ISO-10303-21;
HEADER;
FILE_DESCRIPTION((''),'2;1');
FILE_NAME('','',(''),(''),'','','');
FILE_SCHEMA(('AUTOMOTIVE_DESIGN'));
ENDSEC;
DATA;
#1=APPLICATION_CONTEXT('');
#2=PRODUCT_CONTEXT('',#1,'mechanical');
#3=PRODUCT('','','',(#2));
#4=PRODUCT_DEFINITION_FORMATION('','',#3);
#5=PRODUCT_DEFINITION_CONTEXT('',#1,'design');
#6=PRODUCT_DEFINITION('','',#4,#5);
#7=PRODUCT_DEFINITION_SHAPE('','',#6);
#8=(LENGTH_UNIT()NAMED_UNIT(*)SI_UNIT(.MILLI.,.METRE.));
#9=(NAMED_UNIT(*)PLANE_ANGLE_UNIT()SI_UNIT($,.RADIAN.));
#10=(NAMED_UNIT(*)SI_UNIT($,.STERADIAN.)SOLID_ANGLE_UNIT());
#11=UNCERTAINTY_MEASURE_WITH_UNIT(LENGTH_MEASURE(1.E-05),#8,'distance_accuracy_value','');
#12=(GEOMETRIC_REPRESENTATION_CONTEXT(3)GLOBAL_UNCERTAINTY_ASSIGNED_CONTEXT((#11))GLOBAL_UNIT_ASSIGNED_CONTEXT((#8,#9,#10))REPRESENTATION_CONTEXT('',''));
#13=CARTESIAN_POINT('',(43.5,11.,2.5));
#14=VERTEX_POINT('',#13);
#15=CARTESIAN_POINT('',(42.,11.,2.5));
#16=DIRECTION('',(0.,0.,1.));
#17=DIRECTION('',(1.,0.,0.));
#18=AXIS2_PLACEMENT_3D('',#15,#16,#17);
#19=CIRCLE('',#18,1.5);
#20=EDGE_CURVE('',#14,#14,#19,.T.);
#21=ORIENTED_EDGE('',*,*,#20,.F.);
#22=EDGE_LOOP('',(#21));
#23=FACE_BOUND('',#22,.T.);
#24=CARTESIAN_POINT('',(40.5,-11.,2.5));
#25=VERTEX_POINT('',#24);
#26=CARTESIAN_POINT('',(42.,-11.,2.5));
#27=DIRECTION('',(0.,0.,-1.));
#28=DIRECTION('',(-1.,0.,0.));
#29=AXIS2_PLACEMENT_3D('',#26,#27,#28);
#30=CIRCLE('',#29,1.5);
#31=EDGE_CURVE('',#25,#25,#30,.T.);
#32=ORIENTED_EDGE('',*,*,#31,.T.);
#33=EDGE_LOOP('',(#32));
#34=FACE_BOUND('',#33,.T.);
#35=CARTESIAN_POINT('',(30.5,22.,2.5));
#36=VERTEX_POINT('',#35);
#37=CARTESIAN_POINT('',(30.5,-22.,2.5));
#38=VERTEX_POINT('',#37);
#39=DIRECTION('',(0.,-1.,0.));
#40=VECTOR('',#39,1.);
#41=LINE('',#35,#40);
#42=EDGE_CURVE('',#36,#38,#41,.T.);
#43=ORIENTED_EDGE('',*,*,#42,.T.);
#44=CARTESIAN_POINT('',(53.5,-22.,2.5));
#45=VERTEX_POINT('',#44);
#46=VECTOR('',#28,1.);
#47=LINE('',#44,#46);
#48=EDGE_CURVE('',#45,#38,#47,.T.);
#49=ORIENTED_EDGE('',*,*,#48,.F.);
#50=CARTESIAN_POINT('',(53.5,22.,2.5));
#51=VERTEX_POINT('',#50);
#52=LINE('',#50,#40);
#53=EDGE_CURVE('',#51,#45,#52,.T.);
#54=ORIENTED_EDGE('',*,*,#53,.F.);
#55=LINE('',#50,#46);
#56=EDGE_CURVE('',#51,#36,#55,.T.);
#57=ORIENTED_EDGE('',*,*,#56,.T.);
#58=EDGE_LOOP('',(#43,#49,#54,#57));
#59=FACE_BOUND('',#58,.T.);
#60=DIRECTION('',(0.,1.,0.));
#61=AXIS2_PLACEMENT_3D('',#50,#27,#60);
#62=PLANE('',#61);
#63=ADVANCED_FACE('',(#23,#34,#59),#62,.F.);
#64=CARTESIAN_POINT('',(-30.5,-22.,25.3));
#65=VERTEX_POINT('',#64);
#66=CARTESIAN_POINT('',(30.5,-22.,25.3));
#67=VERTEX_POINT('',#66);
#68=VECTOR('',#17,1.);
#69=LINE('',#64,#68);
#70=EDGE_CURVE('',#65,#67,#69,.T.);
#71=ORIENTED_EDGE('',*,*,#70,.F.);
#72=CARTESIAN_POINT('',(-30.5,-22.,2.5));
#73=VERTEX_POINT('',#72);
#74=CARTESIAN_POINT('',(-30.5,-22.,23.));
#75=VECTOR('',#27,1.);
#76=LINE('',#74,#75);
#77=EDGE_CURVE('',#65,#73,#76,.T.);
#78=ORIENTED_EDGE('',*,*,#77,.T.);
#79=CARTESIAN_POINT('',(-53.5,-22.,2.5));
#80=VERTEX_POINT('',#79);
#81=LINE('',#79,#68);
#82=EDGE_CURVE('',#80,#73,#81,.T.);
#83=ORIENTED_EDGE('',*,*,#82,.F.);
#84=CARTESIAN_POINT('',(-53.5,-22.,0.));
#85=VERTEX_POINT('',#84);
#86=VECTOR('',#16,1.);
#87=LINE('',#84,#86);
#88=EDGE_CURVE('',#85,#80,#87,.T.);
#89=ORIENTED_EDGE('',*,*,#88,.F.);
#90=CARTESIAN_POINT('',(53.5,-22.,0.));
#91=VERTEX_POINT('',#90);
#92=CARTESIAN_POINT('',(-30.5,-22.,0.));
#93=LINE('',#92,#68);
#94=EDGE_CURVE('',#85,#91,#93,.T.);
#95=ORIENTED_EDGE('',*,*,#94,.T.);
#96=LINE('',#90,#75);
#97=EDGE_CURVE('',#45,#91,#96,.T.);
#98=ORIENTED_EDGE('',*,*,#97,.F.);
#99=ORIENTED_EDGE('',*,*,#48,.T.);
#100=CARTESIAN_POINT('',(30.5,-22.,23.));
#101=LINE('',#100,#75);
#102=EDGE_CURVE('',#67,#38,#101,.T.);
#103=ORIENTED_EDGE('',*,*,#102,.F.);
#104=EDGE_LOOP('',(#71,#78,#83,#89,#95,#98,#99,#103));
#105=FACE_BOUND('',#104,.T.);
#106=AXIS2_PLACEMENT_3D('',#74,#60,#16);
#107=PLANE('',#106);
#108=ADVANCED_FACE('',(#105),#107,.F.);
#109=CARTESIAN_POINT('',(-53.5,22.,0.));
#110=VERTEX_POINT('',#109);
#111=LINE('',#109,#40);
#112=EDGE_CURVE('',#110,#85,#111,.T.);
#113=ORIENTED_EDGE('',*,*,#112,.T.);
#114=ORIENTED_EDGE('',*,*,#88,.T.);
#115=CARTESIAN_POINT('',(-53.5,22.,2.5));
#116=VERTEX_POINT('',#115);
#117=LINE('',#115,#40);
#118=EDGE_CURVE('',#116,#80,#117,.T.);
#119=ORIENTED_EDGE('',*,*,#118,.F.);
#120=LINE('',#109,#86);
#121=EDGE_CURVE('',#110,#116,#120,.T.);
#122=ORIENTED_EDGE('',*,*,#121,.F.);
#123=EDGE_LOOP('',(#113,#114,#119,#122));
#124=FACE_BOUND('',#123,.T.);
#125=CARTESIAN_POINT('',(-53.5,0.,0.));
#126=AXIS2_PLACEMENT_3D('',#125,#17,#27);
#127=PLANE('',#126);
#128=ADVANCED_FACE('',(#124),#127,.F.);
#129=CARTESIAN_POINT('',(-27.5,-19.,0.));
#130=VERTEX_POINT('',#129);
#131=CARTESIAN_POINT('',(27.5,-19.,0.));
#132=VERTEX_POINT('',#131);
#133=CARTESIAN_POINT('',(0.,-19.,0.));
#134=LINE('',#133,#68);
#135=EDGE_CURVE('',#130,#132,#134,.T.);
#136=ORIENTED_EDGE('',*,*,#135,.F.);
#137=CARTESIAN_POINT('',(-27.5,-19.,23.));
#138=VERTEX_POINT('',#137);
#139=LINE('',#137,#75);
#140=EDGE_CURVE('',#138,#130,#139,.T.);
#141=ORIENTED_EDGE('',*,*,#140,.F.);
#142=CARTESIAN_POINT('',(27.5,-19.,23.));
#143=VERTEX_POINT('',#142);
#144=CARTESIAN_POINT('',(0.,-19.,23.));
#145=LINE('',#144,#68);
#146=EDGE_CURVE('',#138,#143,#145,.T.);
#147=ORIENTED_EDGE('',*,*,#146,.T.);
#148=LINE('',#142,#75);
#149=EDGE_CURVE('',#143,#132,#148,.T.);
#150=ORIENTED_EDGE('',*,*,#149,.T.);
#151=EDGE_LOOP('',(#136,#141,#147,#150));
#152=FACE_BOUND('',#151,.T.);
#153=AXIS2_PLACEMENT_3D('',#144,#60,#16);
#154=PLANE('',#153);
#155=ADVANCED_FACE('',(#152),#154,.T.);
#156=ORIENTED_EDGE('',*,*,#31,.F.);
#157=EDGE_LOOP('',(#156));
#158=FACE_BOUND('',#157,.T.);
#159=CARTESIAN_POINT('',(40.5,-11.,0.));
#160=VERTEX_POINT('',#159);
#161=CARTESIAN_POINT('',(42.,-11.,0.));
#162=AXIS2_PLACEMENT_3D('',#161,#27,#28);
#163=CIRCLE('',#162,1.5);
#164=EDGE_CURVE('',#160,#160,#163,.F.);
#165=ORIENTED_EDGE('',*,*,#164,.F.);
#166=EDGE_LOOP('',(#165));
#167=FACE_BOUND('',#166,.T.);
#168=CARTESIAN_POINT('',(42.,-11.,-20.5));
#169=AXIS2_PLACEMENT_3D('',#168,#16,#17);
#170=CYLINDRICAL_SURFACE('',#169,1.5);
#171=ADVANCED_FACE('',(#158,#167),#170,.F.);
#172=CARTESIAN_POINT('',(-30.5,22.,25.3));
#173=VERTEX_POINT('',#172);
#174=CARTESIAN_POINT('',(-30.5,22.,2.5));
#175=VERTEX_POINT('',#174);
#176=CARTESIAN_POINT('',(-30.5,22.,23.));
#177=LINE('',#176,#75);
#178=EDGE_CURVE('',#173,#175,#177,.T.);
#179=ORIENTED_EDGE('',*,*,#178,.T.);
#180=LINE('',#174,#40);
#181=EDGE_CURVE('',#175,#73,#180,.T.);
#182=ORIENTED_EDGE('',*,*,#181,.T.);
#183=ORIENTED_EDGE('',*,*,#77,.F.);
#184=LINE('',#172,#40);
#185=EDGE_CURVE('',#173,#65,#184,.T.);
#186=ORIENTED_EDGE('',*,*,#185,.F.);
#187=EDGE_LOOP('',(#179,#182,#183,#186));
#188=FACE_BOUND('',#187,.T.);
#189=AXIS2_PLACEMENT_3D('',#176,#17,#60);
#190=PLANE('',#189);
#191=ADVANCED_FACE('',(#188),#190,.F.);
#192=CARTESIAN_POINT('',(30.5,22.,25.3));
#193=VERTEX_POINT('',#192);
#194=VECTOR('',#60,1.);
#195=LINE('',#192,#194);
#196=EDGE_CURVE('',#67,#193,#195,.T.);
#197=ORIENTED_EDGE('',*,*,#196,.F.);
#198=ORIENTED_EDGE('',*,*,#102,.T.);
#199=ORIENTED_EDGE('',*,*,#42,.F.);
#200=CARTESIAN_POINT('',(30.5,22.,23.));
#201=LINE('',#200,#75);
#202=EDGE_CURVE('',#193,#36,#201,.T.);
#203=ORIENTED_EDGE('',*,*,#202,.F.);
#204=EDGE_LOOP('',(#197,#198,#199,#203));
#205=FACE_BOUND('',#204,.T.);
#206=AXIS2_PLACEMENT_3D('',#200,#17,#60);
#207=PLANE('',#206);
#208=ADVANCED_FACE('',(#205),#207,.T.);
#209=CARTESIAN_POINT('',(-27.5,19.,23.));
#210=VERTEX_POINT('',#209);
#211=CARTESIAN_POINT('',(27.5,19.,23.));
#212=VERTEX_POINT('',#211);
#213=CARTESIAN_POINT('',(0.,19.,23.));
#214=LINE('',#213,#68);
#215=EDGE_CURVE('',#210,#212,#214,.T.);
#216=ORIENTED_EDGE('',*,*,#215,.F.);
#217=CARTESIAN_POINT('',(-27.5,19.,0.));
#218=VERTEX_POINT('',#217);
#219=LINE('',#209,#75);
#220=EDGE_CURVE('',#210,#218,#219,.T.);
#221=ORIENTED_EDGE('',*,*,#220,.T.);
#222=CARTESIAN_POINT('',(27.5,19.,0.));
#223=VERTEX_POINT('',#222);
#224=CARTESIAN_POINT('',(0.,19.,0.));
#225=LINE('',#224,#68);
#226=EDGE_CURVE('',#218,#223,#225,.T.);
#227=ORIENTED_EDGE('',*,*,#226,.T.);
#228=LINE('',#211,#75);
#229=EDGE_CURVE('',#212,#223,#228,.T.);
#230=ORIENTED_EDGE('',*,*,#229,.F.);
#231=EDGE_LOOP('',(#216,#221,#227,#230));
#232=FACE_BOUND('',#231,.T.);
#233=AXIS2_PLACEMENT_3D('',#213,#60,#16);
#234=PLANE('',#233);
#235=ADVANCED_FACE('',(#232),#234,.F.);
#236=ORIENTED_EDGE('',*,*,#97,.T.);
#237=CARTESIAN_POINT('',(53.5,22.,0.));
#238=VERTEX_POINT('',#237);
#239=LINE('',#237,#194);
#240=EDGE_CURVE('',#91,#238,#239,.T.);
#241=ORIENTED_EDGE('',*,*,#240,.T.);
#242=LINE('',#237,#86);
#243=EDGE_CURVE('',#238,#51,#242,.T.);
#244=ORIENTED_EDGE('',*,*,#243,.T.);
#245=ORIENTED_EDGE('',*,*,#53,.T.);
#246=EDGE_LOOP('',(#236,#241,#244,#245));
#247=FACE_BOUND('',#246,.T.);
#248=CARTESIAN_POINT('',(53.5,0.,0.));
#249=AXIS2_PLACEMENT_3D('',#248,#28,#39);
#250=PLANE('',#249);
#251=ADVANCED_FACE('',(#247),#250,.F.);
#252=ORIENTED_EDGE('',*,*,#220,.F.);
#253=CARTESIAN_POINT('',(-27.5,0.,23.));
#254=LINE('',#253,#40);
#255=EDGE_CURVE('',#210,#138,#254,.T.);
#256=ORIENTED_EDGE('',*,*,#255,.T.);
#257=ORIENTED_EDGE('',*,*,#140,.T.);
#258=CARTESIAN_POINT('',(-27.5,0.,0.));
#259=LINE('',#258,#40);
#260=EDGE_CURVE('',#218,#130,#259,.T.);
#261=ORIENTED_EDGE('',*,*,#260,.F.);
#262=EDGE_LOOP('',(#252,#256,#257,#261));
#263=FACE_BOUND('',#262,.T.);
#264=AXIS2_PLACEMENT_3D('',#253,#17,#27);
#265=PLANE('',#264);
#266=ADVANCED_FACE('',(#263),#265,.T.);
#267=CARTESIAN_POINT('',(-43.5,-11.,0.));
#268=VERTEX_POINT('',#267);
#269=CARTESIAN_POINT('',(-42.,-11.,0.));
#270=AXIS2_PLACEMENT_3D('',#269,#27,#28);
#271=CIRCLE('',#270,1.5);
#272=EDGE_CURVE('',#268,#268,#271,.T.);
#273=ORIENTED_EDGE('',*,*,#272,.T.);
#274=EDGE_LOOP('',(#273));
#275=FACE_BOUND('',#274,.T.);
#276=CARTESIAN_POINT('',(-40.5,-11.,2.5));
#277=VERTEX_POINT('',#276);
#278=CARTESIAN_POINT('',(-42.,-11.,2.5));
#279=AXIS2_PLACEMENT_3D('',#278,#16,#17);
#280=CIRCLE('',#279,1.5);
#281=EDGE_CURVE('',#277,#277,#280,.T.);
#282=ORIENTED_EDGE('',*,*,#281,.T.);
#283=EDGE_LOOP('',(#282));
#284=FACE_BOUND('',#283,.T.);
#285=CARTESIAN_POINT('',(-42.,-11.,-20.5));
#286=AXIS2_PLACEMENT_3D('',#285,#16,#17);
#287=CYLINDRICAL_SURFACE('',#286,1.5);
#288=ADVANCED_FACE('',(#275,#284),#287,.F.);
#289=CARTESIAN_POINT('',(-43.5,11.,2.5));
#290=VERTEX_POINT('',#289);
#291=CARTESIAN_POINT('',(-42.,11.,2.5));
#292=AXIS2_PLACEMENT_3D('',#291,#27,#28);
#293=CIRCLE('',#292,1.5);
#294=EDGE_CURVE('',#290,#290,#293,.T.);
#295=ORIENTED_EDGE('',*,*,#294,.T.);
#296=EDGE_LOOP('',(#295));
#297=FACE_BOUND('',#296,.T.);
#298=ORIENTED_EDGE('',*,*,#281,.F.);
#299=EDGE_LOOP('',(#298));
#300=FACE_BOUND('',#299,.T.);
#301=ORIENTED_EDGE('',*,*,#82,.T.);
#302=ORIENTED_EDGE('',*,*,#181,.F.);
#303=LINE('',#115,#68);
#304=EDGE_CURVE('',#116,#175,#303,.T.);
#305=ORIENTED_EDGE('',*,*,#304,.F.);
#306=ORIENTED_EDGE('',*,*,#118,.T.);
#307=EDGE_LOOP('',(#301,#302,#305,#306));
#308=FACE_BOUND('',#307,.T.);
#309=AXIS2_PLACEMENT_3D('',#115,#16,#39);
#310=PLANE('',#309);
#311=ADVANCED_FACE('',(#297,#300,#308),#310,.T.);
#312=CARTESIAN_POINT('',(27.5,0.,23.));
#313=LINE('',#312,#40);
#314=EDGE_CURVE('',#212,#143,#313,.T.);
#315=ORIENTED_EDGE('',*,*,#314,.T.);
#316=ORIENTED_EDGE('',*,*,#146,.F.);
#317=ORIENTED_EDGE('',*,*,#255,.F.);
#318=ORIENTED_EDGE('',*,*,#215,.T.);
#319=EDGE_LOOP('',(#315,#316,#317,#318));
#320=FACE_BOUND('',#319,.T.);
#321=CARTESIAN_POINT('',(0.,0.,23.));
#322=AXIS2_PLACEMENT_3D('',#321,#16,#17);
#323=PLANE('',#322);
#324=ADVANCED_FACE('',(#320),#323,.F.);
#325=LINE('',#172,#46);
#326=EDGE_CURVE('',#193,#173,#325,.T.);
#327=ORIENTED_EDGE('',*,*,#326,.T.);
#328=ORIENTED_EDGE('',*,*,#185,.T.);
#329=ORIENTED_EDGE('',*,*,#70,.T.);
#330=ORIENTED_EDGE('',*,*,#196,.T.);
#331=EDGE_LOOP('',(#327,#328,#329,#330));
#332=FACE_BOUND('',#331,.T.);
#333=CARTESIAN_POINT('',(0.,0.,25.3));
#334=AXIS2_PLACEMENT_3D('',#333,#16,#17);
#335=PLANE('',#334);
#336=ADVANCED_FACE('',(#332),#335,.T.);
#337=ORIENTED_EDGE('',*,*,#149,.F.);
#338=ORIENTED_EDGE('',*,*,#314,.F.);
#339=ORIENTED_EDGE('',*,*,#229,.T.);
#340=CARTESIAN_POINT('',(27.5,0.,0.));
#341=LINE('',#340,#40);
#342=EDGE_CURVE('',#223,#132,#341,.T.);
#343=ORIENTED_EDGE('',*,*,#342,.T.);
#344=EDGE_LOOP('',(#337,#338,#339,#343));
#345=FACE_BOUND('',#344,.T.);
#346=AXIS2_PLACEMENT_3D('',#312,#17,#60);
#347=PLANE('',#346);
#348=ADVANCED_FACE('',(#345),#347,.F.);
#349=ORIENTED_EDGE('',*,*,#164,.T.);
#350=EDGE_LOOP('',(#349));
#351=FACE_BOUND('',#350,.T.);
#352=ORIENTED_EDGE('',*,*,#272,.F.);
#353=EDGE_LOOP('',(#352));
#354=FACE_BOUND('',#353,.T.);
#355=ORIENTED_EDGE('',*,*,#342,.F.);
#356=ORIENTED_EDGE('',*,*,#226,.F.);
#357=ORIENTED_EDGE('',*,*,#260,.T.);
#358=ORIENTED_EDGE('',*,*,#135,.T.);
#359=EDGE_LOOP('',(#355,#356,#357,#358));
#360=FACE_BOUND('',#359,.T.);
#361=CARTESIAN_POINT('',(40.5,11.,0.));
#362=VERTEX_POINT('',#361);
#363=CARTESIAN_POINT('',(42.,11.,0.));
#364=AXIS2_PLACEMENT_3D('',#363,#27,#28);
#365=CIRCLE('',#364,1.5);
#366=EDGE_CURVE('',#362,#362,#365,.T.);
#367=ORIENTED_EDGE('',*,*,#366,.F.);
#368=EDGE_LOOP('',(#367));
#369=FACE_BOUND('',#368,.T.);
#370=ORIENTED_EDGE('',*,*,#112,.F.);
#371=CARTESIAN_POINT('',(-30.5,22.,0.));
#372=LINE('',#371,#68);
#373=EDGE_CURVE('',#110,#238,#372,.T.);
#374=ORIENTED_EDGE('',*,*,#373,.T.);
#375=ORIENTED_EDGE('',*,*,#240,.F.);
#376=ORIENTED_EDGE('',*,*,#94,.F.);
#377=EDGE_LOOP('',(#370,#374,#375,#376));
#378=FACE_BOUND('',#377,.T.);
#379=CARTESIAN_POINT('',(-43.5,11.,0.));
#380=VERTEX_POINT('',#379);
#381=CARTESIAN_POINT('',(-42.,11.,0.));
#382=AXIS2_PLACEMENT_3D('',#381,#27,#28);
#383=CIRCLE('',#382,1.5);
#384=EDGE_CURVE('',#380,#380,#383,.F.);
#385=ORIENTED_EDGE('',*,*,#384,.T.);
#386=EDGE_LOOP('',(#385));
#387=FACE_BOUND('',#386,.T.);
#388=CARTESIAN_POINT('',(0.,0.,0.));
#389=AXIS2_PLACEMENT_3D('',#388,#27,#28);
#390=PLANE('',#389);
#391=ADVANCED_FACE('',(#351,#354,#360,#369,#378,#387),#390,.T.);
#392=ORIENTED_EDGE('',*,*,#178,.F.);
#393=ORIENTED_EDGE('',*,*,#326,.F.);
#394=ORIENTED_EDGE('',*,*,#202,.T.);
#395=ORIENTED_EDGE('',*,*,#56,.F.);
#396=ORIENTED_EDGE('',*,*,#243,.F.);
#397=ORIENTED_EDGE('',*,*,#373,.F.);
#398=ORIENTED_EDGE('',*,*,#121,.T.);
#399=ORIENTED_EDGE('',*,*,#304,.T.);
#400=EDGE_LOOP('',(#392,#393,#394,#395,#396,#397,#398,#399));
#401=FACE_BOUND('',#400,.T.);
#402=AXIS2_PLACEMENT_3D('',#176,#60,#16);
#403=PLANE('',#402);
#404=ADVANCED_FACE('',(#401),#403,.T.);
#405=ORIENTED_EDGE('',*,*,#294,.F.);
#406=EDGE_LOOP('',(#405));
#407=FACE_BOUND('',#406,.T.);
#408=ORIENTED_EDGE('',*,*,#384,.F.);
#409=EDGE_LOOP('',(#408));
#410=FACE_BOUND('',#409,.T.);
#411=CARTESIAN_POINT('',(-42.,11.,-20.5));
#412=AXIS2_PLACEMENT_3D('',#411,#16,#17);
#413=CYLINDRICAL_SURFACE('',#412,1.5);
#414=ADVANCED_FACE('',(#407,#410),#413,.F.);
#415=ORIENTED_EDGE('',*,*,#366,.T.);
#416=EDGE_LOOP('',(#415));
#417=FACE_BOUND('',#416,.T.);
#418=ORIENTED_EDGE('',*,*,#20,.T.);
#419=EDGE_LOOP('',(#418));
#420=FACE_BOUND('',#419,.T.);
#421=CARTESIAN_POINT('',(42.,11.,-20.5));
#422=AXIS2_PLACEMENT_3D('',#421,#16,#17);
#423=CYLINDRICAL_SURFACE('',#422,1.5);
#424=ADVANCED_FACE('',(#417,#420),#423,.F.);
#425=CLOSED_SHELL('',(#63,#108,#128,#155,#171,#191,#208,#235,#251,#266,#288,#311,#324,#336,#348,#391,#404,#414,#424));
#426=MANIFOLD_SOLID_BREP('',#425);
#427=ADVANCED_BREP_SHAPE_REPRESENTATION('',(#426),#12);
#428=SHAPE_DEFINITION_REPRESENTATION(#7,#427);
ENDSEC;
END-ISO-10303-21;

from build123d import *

# Parameters (mm, degrees)
SKETCH1_W           = 61
SKETCH1_H           = 44
SKETCH1_W_2         = 55
SKETCH1_H_2         = 38
BOSS_EXTRUDE1_DEPTH = 23
SKETCH2_W           = 61
SKETCH2_H           = 44
BOSS_EXTRUDE2_DEPTH = 2.3
SKETCH3_W           = 2.5
SKETCH3_H           = 44
BOSS_EXTRUDE3_DEPTH = 23
SKETCH5_W           = 2.5
SKETCH5_H           = 44
BOSS_EXTRUDE4_DEPTH = 23
SKETCH6_R           = 1.5
CUT_EXTRUDE1_DEPTH  = 23


with BuildPart() as part:
    # Sketch1 → Boss-Extrude1 (new body)
    with BuildSketch(Plane.XY):
        Rectangle(SKETCH1_W, SKETCH1_H)
        Rectangle(SKETCH1_W_2, SKETCH1_H_2, mode=Mode.SUBTRACT)
    extrude(amount=BOSS_EXTRUDE1_DEPTH)

    # Sketch2 → Boss-Extrude2 (add)
    with BuildSketch(Plane.XY.offset(23)):
        Rectangle(SKETCH2_W, SKETCH2_H)
    extrude(amount=BOSS_EXTRUDE2_DEPTH)

    # Sketch3 → Boss-Extrude3 (add)
    with BuildSketch(Plane.ZY.offset(30.5)):
        with Locations((1.25, 0)):
            Rectangle(SKETCH3_W, SKETCH3_H)
    extrude(amount=BOSS_EXTRUDE3_DEPTH)

    # Sketch5 → Boss-Extrude4 (add)
    with BuildSketch(Plane(origin=(30.5, 0, 0), x_dir=(0, 0, -1), z_dir=(1, 0, 0))):
        with Locations((-1.25, 0)):
            Rectangle(SKETCH5_W, SKETCH5_H)
    extrude(amount=BOSS_EXTRUDE4_DEPTH)

    # Sketch6 → Cut-Extrude1 (cut)
    with BuildSketch(Plane.XY.offset(2.5)):
        with Locations((42, 11)):
            Circle(SKETCH6_R)
        with Locations(Location((42, -11, 0), (0, 0, 180))):
            Circle(SKETCH6_R)
        with Locations((-42, -11)):
            Circle(SKETCH6_R)
        with Locations(Location((-42, 11, 0), (0, 0, 180))):
            Circle(SKETCH6_R)
    extrude(amount=-CUT_EXTRUDE1_DEPTH, mode=Mode.SUBTRACT)


solid = part.part
